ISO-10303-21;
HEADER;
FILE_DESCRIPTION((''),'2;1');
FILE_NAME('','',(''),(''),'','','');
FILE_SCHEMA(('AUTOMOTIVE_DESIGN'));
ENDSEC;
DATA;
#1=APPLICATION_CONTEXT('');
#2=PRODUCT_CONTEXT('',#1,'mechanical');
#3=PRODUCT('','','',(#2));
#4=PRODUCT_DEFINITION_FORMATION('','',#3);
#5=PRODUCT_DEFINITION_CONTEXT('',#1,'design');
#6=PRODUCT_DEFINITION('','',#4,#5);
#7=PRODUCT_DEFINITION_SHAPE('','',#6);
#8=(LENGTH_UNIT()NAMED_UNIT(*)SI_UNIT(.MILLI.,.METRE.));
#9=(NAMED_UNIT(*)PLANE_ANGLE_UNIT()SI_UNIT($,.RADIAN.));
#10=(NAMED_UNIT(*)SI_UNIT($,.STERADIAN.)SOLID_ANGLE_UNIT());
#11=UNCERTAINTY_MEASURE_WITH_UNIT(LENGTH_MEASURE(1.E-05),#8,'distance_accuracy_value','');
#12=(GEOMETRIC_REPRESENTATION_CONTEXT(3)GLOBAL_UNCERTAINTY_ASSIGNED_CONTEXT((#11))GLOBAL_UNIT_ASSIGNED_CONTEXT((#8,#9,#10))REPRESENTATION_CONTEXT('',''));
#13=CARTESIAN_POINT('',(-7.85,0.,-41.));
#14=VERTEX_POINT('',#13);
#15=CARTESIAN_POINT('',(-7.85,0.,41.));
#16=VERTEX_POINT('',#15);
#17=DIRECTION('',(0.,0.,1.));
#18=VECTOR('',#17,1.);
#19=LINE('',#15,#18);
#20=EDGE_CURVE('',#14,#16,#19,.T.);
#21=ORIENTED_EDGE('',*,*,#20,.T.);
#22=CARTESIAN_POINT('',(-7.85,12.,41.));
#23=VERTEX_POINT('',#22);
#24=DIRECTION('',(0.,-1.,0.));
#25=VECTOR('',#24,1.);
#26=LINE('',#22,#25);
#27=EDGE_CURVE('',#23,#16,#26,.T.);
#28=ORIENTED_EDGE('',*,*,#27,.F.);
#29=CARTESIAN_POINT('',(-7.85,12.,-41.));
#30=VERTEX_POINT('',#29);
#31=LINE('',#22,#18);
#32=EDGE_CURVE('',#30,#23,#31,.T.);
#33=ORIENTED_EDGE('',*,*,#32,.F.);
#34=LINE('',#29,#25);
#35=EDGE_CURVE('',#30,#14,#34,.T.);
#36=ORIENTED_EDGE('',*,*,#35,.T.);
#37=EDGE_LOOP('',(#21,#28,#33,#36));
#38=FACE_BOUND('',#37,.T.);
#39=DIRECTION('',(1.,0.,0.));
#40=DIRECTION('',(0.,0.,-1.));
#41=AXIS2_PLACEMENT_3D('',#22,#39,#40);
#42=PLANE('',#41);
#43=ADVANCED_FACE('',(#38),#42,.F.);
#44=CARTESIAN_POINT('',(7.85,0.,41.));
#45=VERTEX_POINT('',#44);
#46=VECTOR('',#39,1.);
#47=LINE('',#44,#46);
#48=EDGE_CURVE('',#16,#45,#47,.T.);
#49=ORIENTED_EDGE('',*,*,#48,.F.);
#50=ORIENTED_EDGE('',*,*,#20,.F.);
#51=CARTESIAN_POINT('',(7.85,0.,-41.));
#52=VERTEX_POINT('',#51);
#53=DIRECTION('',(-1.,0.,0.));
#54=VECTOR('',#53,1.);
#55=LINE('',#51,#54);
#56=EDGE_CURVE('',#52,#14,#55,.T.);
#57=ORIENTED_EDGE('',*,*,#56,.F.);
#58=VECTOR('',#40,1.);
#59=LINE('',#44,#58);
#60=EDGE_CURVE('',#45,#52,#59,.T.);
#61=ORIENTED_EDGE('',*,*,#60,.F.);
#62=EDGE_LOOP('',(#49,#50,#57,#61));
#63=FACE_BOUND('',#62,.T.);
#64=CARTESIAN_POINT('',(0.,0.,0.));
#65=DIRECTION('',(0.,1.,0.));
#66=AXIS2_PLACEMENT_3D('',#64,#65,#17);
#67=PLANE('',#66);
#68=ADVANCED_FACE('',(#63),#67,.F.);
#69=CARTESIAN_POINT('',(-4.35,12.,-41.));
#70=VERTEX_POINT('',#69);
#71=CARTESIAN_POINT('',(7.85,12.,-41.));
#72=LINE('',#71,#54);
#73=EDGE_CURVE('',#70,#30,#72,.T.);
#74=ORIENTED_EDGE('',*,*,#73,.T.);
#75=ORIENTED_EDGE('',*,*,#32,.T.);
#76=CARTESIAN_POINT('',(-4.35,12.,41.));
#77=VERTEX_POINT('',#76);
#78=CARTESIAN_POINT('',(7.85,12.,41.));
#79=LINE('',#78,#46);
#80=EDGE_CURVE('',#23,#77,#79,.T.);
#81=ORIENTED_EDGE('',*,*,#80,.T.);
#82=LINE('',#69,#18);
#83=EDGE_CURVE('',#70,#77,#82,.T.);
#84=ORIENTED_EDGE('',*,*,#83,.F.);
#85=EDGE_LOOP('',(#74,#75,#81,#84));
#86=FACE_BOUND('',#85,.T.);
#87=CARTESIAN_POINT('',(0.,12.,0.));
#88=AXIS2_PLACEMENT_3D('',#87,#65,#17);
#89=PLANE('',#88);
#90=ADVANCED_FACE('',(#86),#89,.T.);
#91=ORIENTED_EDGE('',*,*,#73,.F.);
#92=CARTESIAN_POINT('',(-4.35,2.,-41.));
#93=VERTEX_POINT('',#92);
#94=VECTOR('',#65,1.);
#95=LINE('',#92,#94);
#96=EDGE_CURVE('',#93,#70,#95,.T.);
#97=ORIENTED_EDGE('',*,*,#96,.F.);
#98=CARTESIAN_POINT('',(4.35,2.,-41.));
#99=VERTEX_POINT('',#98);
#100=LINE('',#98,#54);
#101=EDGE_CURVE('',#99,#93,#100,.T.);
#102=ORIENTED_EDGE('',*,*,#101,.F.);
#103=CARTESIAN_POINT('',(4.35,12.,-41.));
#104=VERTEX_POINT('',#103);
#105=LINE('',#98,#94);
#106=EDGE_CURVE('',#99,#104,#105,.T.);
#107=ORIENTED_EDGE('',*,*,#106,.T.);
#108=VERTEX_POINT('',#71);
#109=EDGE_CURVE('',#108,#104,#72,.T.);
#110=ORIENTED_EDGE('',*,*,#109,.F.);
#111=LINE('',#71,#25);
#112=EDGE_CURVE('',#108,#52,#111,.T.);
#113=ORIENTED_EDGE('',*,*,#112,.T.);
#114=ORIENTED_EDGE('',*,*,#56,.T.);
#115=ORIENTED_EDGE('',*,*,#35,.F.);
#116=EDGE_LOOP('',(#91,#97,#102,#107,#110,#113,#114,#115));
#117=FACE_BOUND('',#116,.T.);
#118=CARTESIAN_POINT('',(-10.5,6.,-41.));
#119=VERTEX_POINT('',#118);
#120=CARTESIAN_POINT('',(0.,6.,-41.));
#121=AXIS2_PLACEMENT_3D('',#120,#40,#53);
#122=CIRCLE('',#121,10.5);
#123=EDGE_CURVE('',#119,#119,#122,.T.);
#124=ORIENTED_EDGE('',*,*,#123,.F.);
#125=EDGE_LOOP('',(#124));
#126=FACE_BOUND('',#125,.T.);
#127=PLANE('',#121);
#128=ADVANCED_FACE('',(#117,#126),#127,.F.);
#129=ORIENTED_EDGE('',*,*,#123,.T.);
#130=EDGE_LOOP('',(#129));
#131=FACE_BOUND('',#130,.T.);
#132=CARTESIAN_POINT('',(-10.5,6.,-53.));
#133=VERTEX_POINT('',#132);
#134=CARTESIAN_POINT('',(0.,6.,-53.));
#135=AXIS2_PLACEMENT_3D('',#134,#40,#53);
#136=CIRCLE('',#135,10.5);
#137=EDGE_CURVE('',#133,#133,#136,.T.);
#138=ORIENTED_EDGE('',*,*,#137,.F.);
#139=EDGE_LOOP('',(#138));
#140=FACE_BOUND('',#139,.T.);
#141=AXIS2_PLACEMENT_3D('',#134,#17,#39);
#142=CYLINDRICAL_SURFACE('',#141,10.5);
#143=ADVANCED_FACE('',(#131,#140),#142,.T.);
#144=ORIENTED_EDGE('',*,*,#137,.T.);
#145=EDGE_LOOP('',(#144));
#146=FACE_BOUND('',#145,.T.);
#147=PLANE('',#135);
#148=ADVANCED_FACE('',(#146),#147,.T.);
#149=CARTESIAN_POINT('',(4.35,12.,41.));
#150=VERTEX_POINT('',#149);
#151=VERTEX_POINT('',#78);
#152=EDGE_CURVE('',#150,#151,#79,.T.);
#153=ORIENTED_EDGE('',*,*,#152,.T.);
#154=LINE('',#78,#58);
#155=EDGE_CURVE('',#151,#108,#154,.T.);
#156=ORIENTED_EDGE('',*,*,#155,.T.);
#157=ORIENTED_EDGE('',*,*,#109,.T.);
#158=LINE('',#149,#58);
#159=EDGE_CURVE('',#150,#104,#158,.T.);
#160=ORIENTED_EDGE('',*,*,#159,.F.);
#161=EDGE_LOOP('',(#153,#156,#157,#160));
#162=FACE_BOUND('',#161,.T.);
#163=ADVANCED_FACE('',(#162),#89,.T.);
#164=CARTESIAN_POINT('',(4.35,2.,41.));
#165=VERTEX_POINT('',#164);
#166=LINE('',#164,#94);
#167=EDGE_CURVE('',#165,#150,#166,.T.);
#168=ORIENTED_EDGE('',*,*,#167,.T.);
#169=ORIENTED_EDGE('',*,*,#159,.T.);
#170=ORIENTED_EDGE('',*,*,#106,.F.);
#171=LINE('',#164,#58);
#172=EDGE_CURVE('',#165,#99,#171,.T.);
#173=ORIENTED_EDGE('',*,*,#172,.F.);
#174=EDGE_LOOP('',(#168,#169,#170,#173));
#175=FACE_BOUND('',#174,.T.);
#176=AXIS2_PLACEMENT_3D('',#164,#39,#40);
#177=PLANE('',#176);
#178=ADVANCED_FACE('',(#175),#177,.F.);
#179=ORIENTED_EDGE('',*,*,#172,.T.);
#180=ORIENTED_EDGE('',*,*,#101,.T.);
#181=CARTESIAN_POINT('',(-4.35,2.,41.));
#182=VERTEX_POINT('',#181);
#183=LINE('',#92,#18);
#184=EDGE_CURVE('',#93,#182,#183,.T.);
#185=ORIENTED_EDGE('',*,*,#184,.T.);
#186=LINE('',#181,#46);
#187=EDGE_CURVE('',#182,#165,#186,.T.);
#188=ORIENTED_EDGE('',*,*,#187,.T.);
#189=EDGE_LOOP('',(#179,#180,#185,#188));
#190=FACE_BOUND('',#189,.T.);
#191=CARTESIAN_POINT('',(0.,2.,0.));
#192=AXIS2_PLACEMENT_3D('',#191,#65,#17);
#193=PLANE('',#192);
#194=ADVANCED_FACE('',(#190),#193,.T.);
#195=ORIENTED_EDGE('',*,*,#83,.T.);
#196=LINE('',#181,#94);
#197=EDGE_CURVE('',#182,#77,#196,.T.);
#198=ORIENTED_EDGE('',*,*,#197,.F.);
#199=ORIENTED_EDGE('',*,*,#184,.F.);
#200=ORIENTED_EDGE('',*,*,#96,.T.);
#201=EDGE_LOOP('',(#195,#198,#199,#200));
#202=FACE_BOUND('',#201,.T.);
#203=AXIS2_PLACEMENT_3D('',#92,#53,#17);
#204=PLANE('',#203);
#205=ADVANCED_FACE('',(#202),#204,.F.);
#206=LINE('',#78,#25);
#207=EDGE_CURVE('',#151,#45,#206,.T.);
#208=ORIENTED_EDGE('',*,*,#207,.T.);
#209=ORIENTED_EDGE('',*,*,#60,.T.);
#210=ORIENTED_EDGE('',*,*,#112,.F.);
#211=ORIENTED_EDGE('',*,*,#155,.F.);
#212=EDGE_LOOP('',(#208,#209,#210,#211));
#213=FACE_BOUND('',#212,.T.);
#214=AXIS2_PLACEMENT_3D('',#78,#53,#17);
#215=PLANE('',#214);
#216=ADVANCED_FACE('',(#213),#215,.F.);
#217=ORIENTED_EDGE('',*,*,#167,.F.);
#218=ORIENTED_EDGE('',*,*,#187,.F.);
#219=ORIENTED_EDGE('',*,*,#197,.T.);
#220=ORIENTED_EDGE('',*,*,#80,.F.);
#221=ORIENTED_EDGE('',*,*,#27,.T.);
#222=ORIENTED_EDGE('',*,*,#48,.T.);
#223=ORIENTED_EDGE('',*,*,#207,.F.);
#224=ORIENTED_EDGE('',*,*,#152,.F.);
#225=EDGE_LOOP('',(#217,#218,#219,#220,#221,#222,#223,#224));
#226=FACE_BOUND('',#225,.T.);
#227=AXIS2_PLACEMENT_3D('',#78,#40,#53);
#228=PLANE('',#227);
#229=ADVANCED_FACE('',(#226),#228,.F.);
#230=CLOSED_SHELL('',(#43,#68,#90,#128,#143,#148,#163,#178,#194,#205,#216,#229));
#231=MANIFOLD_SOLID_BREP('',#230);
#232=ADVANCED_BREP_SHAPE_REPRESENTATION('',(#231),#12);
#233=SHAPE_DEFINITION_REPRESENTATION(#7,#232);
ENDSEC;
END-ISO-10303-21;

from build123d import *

# Parameters (mm, degrees)
SKETCH2_W           = 15.7
SKETCH2_H           = 82
BOSS_EXTRUDE1_DEPTH = 12
SKETCH3_W           = 8.7
SKETCH3_H           = 82
CUT_EXTRUDE1_DEPTH  = 10
SKETCH4_R           = 10.5
BOSS_EXTRUDE2_DEPTH = 12


with BuildPart() as part:
    # Sketch2 → Boss-Extrude1 (new body)
    with BuildSketch(Plane(origin=(0, 0, 0), x_dir=(1, 0, 0), z_dir=(0, 1, 0))):
        Rectangle(SKETCH2_W, SKETCH2_H)
    extrude(amount=BOSS_EXTRUDE1_DEPTH)

    # Sketch3 → Cut-Extrude1 (cut)
    with BuildSketch(Plane(origin=(0, 12, 0), x_dir=(1, 0, 0), z_dir=(0, 1, 0))):
        Rectangle(SKETCH3_W, SKETCH3_H)
    extrude(amount=-CUT_EXTRUDE1_DEPTH, mode=Mode.SUBTRACT)

    # Sketch4 → Boss-Extrude2 (add)
    with BuildSketch(Plane(origin=(0, 0, -41), x_dir=(-1, 0, 0), z_dir=(0, 0, -1))):
        with Locations((0, 6)):
            Circle(SKETCH4_R)
    extrude(amount=BOSS_EXTRUDE2_DEPTH)


solid = part.part
